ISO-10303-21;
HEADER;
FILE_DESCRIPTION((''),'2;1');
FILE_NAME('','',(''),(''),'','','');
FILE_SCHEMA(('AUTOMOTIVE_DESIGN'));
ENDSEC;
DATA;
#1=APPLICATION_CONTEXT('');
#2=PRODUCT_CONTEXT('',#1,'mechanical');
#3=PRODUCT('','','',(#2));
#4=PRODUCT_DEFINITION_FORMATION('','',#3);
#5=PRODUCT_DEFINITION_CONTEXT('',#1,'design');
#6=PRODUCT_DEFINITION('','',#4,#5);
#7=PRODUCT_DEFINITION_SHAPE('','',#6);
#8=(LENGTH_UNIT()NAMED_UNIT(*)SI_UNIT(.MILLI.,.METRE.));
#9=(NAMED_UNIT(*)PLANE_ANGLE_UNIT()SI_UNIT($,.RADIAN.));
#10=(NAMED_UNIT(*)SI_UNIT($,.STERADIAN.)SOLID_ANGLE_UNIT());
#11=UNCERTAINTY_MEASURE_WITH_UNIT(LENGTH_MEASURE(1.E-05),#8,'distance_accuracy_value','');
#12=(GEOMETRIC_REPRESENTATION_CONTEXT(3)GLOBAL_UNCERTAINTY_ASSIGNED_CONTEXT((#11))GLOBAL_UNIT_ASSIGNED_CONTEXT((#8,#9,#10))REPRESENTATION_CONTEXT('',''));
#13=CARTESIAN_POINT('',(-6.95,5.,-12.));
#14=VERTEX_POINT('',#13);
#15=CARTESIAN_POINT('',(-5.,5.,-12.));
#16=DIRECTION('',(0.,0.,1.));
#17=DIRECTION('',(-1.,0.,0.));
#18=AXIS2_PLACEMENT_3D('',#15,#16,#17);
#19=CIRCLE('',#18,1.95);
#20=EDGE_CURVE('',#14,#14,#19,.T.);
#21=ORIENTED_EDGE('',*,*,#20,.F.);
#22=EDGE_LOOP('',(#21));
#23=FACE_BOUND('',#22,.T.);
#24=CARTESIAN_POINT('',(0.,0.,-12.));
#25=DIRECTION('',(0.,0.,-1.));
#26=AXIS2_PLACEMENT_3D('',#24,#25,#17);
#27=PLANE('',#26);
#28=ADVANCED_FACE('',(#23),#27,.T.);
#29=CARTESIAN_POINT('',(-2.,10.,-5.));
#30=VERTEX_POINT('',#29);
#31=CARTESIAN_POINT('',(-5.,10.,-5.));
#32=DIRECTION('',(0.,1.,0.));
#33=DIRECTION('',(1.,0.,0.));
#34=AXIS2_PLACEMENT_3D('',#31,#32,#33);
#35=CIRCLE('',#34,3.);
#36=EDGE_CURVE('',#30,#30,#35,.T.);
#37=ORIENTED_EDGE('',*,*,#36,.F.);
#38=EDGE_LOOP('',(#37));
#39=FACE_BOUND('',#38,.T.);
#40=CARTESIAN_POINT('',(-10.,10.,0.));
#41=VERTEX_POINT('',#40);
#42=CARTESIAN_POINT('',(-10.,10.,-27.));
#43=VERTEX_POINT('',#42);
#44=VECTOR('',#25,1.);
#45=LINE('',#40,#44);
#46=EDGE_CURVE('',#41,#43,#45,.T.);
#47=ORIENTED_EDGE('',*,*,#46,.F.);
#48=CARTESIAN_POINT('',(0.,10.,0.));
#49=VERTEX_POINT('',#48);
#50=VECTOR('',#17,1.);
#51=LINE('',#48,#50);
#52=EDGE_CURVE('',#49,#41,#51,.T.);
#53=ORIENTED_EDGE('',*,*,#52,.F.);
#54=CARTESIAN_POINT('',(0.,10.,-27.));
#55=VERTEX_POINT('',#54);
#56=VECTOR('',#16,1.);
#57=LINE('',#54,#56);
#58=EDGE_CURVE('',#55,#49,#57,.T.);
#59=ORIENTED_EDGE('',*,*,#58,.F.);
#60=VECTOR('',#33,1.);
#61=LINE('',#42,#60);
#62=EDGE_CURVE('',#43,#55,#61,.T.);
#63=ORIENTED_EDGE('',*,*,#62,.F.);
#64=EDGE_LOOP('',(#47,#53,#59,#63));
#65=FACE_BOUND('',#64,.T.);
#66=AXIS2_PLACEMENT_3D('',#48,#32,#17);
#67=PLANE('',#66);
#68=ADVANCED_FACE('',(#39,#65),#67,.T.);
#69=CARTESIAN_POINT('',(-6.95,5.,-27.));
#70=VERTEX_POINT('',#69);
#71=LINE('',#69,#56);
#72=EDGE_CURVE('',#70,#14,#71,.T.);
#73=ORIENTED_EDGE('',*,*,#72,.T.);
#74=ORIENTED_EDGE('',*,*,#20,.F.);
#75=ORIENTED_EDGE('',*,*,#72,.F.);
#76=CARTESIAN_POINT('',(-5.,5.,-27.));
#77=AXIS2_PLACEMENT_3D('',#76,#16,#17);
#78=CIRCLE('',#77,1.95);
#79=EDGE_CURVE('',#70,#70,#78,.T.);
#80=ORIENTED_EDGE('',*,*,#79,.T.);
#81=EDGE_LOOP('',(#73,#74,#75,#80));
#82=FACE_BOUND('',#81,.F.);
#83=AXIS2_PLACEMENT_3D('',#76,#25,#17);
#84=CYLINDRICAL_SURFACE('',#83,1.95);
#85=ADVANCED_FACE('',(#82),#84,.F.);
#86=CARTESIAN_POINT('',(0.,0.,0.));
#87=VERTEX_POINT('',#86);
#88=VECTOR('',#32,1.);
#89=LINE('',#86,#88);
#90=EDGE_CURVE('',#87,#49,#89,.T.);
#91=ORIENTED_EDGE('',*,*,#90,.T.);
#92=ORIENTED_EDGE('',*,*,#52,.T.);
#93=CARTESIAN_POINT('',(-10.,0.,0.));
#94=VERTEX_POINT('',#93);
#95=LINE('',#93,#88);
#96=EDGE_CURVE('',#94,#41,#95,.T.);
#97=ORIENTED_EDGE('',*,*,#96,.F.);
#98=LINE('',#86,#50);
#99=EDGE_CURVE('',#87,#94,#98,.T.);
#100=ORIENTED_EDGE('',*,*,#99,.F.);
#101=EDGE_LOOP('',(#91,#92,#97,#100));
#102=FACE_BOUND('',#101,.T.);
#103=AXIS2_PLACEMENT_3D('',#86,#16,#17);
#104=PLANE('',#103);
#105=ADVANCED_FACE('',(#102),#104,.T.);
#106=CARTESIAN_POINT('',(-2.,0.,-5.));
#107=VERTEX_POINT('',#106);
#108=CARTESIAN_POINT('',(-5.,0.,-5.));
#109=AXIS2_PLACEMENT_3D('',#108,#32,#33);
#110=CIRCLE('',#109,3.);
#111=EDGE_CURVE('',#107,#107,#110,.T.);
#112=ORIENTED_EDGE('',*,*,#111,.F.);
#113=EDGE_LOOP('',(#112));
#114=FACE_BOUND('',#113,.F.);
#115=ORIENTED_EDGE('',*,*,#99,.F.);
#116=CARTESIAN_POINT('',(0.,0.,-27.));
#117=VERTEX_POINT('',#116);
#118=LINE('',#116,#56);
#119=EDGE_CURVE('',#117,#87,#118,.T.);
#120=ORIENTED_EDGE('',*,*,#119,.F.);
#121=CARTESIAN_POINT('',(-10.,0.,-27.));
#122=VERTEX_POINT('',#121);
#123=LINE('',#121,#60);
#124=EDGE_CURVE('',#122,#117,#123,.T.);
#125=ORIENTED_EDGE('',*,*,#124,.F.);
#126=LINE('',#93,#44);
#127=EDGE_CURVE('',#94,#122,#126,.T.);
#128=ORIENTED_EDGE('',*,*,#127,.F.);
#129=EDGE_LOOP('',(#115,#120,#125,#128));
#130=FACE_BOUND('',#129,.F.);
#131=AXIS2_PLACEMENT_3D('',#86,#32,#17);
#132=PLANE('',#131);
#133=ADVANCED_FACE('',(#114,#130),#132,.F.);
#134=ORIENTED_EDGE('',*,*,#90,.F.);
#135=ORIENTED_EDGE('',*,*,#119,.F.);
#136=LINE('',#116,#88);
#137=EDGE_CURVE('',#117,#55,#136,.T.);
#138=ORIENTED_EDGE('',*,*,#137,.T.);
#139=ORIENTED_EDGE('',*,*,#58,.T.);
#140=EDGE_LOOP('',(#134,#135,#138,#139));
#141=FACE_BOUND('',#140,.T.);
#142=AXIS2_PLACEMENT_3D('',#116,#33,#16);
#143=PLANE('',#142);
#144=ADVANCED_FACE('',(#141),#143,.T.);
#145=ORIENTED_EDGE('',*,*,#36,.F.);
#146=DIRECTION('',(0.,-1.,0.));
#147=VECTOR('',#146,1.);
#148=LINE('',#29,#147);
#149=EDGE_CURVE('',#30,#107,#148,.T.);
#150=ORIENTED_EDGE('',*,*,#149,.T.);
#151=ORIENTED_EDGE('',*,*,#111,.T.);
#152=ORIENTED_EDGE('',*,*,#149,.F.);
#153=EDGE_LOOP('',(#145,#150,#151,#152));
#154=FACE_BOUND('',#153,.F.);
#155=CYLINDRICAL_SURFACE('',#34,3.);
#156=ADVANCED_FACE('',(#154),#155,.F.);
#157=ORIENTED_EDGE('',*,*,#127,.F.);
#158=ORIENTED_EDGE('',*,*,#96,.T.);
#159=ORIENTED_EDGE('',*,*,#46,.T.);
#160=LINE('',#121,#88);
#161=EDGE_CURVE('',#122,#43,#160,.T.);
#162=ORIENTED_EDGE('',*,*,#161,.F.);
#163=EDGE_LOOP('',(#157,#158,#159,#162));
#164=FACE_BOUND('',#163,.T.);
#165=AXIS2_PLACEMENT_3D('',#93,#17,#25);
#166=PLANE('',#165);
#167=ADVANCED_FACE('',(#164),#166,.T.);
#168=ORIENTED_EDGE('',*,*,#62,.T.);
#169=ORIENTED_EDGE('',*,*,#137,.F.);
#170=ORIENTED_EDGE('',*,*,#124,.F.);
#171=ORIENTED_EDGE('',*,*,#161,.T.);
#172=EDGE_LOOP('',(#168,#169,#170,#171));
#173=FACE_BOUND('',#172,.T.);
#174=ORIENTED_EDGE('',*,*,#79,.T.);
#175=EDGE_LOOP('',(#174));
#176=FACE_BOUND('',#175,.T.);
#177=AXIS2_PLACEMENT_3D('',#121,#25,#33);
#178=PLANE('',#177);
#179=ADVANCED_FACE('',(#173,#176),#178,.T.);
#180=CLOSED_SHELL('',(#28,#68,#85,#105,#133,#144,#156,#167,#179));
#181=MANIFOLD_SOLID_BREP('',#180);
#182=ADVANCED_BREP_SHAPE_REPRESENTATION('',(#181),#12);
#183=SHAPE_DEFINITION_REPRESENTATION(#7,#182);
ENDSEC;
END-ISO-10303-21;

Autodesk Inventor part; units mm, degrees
ref_plane "YZ Plane" through (0, 0, 0) normal (1, 0, 0) x (0, 1, 0)
ref_plane "XZ Plane" through (0, 0, 0) normal (0, 1, 0) x (-1, 0, 0)
ref_plane "XY Plane" through (0, 0, 0) normal (0, 0, 1) x (1, 0, 0)
sketch "Sketch1" plane through (0, 0, 0) normal (0, 1, 0) x (-1, 0, 0)
  line L0 (0, 0) -> (10, 0)
  line L1 (10, 0) -> (10, -27)
  line L2 (10, -27) -> (0, -27)
  line L3 (0, -27) -> (0, 0)
  dimension "d0" = 10
  dimension "d1" = 27
extrude "Extrusion1" add sketch "Sketch1" along normal blind 10
sketch "Sketch2" plane through (0, 10, 0) normal (0, 1, 0) x (1, 0, 0)
  line L0 (-10, 27) -> (-10, 0) projected
  line L1 (-10, 0) -> (-10, 5)
  circle A0 centre (-5, 5) radius 3
  point P0 (0, 0)
  dimension "d4" = 5
  dimension "d5" = 6
extrude "Extrusion2" cut sketch "Sketch2" against normal blind 10
sketch "Sketch3" plane through (0, 0, -27) normal (0, 0, -1) x (-1, 0, 0)
  line L0 (0, 10) -> (10, 10) projected
  line L1 (0, 10) -> (5, 10)
  line L2 (5, 10) -> (5, 5)
  circle A0 centre (5, 5) radius 1.95
  point P0 (0, 0)
  dimension "d8" = 5
  dimension "d9" = 5
  dimension "d10" = 3.9
extrude "Extrusion3" cut sketch "Sketch3" against normal blind 15
properties part number "Raket_Arme"
